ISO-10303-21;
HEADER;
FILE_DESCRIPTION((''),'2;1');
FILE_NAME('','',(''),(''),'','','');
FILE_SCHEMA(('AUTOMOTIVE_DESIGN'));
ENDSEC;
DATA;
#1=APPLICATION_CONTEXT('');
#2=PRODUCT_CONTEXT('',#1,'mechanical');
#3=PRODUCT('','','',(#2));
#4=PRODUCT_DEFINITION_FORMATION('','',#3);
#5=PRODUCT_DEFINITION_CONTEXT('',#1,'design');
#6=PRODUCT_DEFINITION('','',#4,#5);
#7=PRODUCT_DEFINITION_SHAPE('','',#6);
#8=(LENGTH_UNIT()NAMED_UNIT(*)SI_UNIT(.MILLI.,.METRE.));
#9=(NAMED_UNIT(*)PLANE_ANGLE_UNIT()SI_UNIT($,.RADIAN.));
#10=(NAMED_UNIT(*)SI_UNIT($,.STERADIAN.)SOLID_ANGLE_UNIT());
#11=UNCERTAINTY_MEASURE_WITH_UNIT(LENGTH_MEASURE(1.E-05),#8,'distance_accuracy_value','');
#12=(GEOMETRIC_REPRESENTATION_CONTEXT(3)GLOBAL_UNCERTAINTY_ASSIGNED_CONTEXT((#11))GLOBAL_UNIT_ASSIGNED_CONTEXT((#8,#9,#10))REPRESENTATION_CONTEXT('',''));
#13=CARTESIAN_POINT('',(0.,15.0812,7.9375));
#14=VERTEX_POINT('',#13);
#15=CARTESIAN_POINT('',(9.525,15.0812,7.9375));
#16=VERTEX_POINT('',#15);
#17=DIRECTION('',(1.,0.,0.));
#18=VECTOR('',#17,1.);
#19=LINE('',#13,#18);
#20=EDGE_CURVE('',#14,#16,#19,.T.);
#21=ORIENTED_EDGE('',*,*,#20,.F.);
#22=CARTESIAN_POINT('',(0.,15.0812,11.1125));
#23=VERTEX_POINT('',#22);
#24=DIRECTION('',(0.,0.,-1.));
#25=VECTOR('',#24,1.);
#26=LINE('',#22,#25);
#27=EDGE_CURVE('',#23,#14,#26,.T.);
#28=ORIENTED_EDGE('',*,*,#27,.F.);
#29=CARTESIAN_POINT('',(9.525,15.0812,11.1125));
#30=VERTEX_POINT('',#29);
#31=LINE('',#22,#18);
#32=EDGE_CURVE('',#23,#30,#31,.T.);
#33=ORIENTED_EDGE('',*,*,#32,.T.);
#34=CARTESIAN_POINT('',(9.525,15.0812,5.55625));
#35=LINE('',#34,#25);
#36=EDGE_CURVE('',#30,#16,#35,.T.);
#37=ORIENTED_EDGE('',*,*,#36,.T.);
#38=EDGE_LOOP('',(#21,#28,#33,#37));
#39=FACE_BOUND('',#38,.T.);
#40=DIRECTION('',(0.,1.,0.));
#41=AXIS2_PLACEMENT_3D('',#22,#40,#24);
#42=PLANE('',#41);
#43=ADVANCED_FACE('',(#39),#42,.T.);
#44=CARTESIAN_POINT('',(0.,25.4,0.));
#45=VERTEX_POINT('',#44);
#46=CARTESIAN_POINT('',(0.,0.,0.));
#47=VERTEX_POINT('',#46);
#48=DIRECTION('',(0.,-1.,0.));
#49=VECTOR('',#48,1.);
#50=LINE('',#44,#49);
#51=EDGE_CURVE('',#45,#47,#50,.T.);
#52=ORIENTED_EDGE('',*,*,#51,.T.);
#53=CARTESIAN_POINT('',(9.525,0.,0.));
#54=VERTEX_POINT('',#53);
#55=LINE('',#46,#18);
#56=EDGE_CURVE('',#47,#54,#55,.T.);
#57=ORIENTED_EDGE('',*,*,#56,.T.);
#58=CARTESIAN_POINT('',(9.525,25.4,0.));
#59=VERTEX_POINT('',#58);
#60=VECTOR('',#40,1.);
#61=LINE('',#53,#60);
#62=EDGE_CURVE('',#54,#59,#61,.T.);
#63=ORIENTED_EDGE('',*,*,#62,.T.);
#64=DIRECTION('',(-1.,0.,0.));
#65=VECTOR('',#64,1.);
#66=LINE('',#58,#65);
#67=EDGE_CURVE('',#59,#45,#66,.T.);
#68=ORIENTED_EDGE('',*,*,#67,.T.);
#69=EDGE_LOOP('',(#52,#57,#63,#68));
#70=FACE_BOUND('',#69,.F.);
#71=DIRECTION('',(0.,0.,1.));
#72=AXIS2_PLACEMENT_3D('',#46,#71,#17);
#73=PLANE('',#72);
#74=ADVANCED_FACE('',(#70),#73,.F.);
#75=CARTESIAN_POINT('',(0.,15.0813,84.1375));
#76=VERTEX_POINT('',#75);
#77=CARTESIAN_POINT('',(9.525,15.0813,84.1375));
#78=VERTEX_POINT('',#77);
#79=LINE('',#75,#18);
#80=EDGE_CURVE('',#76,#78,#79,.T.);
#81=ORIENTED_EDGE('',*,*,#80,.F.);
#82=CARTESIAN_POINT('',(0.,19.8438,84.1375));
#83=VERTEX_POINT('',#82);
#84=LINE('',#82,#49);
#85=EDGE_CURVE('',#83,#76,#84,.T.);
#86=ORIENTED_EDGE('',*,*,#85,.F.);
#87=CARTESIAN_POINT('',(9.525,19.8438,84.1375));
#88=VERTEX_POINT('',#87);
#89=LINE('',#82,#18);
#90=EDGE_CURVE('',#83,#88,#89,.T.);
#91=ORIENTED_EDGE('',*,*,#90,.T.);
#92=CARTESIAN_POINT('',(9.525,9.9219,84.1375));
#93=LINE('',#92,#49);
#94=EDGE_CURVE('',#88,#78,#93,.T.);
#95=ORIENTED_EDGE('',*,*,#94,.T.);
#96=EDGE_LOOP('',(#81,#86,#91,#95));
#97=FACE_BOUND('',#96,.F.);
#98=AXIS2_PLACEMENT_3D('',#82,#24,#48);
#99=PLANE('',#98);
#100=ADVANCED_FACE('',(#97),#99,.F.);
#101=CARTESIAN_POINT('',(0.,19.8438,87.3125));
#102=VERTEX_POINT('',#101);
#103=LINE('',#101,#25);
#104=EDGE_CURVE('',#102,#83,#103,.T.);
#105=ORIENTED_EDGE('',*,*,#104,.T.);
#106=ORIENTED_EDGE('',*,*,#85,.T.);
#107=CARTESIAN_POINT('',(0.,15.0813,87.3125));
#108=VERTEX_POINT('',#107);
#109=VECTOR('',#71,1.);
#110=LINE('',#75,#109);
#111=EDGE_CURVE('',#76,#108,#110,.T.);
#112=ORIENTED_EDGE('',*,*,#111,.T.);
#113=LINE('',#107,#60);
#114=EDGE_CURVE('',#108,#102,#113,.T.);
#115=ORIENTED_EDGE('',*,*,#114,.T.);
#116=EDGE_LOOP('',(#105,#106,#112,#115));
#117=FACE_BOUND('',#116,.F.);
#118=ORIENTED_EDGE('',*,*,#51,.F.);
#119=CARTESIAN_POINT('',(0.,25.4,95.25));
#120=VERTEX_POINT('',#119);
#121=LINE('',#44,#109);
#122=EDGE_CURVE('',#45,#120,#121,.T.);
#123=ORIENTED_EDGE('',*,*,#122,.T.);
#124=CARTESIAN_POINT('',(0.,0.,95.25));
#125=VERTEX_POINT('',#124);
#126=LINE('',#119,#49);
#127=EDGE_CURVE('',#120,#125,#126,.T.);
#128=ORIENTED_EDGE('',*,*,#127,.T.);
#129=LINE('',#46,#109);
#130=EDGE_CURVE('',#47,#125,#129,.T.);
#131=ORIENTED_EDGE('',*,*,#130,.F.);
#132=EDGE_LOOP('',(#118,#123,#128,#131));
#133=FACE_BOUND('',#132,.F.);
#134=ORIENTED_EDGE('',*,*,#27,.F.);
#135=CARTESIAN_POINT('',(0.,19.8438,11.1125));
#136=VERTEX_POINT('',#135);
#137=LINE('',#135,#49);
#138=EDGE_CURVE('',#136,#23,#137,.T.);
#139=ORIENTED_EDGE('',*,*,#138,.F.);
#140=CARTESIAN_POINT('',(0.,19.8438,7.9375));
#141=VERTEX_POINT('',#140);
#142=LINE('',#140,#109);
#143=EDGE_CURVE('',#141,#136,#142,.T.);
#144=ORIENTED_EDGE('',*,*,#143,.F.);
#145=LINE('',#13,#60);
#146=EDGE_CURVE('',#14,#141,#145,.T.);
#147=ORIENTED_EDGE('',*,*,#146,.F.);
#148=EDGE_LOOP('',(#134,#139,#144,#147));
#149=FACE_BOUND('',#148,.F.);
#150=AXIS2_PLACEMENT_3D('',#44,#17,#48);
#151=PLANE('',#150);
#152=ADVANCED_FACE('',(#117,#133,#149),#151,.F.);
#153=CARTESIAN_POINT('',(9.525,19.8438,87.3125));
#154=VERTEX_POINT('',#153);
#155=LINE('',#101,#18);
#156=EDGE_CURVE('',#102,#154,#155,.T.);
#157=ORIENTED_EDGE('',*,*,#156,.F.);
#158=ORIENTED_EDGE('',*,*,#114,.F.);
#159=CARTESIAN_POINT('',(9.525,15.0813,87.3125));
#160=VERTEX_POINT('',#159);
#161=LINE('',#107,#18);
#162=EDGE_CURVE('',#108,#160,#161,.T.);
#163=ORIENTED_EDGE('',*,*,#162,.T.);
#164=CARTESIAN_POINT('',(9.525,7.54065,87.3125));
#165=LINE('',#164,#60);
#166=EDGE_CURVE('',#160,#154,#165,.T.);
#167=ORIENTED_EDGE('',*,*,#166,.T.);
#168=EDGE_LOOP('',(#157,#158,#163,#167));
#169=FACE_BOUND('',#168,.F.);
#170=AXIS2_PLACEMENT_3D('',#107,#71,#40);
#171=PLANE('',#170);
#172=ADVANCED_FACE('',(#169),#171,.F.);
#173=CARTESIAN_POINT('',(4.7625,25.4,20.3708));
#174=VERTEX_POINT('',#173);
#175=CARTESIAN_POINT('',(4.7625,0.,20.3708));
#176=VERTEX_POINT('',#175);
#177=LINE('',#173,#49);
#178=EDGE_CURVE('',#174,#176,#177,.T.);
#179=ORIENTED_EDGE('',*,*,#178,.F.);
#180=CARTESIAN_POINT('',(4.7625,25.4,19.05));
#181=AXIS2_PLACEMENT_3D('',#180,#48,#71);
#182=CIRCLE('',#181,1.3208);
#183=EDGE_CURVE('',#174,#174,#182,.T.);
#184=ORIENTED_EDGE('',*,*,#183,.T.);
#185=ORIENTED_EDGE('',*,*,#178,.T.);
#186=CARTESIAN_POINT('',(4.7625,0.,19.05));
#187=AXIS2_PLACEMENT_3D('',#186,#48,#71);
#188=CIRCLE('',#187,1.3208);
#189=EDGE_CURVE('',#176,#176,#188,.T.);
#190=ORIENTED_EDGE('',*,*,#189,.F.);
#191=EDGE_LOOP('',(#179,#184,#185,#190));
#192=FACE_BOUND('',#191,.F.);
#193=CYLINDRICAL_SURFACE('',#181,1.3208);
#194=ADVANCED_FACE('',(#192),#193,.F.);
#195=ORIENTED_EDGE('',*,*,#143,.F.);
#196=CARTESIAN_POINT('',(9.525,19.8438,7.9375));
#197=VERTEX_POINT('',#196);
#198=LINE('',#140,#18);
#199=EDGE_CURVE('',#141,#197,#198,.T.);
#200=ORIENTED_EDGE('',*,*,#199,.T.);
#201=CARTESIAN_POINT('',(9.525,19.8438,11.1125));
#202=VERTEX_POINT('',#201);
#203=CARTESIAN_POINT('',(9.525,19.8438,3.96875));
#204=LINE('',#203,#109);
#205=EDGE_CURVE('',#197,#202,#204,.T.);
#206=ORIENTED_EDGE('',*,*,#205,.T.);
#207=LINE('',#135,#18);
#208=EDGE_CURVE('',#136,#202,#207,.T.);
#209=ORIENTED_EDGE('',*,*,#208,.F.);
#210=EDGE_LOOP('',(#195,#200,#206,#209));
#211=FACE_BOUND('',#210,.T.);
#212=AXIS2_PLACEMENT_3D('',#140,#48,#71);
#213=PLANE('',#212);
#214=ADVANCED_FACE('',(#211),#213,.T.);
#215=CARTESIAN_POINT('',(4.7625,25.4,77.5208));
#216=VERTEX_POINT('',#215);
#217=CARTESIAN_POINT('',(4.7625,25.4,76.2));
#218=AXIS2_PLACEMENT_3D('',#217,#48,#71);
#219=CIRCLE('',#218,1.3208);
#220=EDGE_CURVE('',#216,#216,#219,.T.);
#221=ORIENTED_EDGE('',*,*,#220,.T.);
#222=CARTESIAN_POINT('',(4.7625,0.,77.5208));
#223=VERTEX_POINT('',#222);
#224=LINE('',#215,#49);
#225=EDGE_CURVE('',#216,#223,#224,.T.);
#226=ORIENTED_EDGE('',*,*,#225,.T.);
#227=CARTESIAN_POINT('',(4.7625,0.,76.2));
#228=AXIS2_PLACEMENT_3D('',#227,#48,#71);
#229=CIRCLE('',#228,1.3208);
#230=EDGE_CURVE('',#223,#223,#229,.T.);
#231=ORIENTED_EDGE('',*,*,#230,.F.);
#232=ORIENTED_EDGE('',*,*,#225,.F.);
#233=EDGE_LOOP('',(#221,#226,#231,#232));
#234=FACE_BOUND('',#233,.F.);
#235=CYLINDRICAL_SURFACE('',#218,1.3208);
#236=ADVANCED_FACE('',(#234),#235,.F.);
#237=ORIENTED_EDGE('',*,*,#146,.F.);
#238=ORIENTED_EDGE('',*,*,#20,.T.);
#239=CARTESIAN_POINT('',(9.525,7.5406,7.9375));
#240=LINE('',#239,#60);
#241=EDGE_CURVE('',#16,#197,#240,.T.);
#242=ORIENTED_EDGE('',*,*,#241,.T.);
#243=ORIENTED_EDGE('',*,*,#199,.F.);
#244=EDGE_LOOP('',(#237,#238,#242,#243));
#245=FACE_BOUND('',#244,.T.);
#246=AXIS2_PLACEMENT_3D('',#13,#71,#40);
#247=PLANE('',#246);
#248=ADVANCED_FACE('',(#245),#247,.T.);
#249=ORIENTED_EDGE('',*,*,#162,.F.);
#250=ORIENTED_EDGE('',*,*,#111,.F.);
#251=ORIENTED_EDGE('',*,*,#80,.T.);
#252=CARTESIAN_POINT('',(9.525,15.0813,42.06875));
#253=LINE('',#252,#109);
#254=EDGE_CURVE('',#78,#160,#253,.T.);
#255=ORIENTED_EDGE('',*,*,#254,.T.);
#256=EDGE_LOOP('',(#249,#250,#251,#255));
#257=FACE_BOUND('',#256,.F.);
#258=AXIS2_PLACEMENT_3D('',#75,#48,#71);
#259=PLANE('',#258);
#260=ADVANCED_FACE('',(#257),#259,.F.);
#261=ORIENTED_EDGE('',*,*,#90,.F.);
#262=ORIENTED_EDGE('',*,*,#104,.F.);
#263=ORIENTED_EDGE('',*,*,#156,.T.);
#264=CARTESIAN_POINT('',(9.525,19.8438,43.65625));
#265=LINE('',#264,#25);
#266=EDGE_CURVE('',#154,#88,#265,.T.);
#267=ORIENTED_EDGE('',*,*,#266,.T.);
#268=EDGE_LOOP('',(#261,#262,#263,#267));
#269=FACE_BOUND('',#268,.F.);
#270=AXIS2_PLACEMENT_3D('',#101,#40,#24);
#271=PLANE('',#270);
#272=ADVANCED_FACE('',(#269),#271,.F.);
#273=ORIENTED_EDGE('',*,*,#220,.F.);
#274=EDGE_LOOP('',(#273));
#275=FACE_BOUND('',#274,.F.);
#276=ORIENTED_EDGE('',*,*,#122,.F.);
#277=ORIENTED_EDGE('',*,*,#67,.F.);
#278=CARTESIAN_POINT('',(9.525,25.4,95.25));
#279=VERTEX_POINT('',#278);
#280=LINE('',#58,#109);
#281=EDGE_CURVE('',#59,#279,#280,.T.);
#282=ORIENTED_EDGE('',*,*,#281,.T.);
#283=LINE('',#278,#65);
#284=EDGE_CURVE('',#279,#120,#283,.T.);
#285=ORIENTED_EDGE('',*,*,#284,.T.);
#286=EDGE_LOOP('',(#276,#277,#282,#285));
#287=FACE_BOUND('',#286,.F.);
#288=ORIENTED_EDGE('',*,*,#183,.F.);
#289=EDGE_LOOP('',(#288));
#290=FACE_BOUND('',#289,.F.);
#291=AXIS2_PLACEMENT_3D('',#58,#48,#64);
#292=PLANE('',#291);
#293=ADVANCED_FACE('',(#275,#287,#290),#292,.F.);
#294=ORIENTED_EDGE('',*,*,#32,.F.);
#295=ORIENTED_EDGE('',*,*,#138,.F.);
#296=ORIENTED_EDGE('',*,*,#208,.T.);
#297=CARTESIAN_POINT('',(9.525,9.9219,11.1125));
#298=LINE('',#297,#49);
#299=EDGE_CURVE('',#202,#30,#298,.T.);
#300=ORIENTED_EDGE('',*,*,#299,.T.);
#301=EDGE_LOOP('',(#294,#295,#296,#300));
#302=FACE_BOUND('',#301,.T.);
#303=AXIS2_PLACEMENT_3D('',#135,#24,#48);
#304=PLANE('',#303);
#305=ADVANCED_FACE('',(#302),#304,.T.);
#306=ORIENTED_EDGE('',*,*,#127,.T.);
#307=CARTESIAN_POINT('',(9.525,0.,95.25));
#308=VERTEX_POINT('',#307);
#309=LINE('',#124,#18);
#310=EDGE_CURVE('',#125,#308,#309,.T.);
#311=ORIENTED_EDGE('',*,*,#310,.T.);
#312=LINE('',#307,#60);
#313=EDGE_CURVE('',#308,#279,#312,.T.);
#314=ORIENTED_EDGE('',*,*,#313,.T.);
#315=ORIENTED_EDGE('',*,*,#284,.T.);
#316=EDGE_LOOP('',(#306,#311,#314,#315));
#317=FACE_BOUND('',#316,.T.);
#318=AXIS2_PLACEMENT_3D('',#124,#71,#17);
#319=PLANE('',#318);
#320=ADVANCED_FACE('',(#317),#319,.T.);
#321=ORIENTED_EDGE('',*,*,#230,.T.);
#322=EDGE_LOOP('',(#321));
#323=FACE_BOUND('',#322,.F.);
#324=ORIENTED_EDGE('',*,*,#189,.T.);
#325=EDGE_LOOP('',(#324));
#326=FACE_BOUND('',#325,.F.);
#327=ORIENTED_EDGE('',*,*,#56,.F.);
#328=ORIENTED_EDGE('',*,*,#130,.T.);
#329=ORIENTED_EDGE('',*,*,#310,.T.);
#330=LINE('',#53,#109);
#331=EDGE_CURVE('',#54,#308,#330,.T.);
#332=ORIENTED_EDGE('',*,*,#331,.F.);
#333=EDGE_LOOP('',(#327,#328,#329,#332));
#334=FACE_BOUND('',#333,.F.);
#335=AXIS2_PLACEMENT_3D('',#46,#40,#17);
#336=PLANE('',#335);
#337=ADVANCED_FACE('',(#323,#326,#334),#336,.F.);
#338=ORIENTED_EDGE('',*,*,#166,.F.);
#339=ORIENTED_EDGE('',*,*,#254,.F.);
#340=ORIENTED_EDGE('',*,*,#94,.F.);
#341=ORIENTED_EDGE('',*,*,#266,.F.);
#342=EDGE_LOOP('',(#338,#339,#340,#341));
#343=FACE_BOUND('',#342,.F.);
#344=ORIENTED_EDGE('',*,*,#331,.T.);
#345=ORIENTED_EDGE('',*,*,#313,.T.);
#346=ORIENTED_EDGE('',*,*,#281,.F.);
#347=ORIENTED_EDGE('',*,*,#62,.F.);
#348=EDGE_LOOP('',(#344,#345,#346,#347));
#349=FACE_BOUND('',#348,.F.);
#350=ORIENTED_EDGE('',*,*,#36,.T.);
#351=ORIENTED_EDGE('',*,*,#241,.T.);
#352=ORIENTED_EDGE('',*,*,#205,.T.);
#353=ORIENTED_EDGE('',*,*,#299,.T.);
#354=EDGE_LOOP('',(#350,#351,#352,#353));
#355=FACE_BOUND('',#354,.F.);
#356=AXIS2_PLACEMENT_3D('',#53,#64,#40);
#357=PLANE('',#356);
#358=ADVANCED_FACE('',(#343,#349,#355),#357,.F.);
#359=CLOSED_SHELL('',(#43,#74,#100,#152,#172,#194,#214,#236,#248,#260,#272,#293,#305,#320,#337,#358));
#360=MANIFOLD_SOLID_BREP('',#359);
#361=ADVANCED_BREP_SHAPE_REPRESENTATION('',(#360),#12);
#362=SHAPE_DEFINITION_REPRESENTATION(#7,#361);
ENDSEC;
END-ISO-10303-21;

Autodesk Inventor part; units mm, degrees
ref_plane "YZ Plane" through (0, 0, 0) normal (1, 0, 0) x (0, 1, 0)
ref_plane "XZ Plane" through (0, 0, 0) normal (0, 1, 0) x (-1, 0, 0)
ref_plane "XY Plane" through (0, 0, 0) normal (0, 0, 1) x (1, 0, 0)
sketch "Sketch1" plane through (0, 0, 0) normal (0, 0, 1) x (1, 0, 0)
  line L0 (0, 0) -> (9.525, 0)
  line L1 (9.525, 0) -> (9.525, 25.4)
  line L2 (9.525, 25.4) -> (0, 25.4)
  line L3 (0, 25.4) -> (0, 0)
  dimension "d0" = 9.525
  dimension "d1" = 25.4
extrude "Extrusion1" add sketch "Sketch1" along normal blind 95.25
sketch "Sketch2" plane through (0, 25.4, 0) normal (0, 1, 0) x (1, 0, 0)
  line L0 (0, 0) -> (0, -95.25) construction
  line L1 (0, -47.625) -> (9.525, -47.625) construction
  line L2 (9.525, 0) -> (9.525, -95.25) construction
  point P0 (4.7625, -19.05)
  point P1 (4.7625, -76.2)
  dimension "d4" = 19.05
  dimension "d5" = 4.7625
hole "Hole1" at (4.7625, 25.4, 19.05) at (4.7625, 25.4, 76.2) direction (0, -1, 0) diameter 2.6416 end through all thread size "6-32 UNC" class "2B" standard "ANSI Unified Screw Threads"
sketch "Sketch3" plane through (0, 0, 0) normal (-1, 0, 0) x (0, 0, 1)
  line L0 (0, 25.4) -> (0, 0) construction
  line L1 (0, 0) -> (95.25, 0) construction
  line L2 (95.25, 25.4) -> (95.25, 0) construction
  line L3 (0, 25.4) -> (95.25, 25.4) construction
  line L4 (7.9375, 19.8438) -> (11.1125, 19.8438)
  line L5 (11.1125, 19.8438) -> (11.1125, 15.0812)
  line L6 (11.1125, 15.0812) -> (7.9375, 15.0812)
  line L7 (7.9375, 15.0812) -> (7.9375, 19.8438)
  line L8 (7.9375, 19.8438) -> (11.1125, 15.0812) construction
  line L9 (11.1125, 19.8438) -> (7.9375, 15.0812) construction
  line L10 (0, 0) -> (95.25, 0) construction
  line L11 (47.625, 0) -> (47.625, 25.4) construction
  line L12 (87.3125, 19.8438) -> (84.1375, 19.8438)
  line L13 (84.1375, 19.8438) -> (84.1375, 15.0813)
  line L14 (84.1375, 15.0813) -> (87.3125, 15.0813)
  line L15 (87.3125, 15.0813) -> (87.3125, 19.8438)
  line L16 (87.3125, 19.8438) -> (84.1375, 15.0813) construction
  line L17 (84.1375, 19.8438) -> (87.3125, 15.0813) construction
  point P0 (9.525, 17.4625)
  point P1 (85.725, 17.4625)
  dimension "d13" = 3.175
  dimension "d14" = 4.7625
  dimension "d15" = 9.525
  dimension "d16" = 7.9375
extrude "Extrusion2" cut sketch "Sketch3" against normal through all
properties part number "ImagineFrameFront" material "Polycarbonate, Clear"
